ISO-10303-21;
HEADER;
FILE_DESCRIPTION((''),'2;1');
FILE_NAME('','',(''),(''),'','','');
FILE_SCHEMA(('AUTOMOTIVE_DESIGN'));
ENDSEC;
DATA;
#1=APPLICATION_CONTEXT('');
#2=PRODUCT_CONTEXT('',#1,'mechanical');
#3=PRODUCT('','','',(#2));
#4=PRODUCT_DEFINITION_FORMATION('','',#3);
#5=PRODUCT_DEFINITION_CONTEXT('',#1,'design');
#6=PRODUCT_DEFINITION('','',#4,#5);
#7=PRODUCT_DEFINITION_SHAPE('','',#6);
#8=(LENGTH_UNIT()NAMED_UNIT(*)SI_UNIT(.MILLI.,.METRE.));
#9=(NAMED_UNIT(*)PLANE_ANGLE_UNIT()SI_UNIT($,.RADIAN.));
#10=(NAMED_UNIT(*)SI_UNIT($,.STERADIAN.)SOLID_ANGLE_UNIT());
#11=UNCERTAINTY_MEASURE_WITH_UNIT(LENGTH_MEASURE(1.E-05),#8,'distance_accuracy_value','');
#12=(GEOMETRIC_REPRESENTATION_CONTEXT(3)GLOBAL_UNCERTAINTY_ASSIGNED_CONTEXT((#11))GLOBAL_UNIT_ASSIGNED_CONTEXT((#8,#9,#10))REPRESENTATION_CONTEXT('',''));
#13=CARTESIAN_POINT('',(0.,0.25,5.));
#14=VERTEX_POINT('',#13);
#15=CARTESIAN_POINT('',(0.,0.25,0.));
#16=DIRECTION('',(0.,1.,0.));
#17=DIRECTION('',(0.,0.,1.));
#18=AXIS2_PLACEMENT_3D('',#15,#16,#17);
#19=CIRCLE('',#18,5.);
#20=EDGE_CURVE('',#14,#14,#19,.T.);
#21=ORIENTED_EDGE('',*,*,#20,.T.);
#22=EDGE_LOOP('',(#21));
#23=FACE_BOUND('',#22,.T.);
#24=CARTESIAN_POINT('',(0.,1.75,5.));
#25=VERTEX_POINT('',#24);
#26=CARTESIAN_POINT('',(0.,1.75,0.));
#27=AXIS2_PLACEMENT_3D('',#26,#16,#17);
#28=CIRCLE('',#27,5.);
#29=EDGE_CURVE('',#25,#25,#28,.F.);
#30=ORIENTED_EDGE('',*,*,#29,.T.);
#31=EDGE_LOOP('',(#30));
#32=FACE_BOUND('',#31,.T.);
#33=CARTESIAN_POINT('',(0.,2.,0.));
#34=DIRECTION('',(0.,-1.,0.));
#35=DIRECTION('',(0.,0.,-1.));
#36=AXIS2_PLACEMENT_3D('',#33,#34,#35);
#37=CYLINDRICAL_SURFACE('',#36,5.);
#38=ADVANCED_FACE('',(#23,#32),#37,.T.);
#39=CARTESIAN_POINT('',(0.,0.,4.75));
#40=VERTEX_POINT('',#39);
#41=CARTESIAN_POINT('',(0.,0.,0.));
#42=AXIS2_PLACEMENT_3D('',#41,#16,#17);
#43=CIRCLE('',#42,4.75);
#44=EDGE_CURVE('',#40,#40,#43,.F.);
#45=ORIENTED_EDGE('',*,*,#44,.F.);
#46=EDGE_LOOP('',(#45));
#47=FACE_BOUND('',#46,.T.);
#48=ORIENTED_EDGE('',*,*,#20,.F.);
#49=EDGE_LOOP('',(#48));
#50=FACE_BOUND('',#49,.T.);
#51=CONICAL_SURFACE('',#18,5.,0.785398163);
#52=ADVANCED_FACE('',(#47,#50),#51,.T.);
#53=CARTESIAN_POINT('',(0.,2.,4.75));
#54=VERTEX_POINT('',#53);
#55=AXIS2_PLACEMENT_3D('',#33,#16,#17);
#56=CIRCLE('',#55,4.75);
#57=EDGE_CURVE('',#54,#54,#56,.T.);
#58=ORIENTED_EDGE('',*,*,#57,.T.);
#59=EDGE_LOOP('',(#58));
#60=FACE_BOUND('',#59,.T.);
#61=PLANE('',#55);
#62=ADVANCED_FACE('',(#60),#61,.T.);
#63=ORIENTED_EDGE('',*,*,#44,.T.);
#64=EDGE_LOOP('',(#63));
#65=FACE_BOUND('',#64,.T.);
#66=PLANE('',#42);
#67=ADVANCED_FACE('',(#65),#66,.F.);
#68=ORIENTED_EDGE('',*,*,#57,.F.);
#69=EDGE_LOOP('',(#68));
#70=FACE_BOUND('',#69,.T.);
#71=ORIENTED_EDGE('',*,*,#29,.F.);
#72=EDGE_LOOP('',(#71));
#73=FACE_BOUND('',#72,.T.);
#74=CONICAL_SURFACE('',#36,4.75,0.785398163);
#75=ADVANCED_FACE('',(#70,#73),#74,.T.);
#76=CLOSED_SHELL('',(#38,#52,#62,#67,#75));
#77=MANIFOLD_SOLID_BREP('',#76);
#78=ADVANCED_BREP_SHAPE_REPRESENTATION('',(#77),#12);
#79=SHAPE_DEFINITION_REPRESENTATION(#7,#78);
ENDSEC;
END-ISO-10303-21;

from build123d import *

# Parameters (mm, degrees)
SKETCH_1_R      = 5
EXTRUDE_1_DEPTH = 2
CHAMFER_1_SIZE  = 0.25


with BuildPart() as part:
    # ｽｹｯﾁ1 → ﾎﾞｽ - 押し出し1 (new body)
    with BuildSketch(Plane(origin=(0, 0, 0), x_dir=(1, 0, 0), z_dir=(0, 1, 0))):
        Circle(SKETCH_1_R)
    extrude(amount=EXTRUDE_1_DEPTH)

    # 面取り1
    chamfer_1_edges = [part.edges().sort_by_distance(p)[0] for p in [
        (-5, 0, 0),
        (-5, 2, 0),
    ]]
    chamfer(chamfer_1_edges, length=CHAMFER_1_SIZE)


solid = part.part
